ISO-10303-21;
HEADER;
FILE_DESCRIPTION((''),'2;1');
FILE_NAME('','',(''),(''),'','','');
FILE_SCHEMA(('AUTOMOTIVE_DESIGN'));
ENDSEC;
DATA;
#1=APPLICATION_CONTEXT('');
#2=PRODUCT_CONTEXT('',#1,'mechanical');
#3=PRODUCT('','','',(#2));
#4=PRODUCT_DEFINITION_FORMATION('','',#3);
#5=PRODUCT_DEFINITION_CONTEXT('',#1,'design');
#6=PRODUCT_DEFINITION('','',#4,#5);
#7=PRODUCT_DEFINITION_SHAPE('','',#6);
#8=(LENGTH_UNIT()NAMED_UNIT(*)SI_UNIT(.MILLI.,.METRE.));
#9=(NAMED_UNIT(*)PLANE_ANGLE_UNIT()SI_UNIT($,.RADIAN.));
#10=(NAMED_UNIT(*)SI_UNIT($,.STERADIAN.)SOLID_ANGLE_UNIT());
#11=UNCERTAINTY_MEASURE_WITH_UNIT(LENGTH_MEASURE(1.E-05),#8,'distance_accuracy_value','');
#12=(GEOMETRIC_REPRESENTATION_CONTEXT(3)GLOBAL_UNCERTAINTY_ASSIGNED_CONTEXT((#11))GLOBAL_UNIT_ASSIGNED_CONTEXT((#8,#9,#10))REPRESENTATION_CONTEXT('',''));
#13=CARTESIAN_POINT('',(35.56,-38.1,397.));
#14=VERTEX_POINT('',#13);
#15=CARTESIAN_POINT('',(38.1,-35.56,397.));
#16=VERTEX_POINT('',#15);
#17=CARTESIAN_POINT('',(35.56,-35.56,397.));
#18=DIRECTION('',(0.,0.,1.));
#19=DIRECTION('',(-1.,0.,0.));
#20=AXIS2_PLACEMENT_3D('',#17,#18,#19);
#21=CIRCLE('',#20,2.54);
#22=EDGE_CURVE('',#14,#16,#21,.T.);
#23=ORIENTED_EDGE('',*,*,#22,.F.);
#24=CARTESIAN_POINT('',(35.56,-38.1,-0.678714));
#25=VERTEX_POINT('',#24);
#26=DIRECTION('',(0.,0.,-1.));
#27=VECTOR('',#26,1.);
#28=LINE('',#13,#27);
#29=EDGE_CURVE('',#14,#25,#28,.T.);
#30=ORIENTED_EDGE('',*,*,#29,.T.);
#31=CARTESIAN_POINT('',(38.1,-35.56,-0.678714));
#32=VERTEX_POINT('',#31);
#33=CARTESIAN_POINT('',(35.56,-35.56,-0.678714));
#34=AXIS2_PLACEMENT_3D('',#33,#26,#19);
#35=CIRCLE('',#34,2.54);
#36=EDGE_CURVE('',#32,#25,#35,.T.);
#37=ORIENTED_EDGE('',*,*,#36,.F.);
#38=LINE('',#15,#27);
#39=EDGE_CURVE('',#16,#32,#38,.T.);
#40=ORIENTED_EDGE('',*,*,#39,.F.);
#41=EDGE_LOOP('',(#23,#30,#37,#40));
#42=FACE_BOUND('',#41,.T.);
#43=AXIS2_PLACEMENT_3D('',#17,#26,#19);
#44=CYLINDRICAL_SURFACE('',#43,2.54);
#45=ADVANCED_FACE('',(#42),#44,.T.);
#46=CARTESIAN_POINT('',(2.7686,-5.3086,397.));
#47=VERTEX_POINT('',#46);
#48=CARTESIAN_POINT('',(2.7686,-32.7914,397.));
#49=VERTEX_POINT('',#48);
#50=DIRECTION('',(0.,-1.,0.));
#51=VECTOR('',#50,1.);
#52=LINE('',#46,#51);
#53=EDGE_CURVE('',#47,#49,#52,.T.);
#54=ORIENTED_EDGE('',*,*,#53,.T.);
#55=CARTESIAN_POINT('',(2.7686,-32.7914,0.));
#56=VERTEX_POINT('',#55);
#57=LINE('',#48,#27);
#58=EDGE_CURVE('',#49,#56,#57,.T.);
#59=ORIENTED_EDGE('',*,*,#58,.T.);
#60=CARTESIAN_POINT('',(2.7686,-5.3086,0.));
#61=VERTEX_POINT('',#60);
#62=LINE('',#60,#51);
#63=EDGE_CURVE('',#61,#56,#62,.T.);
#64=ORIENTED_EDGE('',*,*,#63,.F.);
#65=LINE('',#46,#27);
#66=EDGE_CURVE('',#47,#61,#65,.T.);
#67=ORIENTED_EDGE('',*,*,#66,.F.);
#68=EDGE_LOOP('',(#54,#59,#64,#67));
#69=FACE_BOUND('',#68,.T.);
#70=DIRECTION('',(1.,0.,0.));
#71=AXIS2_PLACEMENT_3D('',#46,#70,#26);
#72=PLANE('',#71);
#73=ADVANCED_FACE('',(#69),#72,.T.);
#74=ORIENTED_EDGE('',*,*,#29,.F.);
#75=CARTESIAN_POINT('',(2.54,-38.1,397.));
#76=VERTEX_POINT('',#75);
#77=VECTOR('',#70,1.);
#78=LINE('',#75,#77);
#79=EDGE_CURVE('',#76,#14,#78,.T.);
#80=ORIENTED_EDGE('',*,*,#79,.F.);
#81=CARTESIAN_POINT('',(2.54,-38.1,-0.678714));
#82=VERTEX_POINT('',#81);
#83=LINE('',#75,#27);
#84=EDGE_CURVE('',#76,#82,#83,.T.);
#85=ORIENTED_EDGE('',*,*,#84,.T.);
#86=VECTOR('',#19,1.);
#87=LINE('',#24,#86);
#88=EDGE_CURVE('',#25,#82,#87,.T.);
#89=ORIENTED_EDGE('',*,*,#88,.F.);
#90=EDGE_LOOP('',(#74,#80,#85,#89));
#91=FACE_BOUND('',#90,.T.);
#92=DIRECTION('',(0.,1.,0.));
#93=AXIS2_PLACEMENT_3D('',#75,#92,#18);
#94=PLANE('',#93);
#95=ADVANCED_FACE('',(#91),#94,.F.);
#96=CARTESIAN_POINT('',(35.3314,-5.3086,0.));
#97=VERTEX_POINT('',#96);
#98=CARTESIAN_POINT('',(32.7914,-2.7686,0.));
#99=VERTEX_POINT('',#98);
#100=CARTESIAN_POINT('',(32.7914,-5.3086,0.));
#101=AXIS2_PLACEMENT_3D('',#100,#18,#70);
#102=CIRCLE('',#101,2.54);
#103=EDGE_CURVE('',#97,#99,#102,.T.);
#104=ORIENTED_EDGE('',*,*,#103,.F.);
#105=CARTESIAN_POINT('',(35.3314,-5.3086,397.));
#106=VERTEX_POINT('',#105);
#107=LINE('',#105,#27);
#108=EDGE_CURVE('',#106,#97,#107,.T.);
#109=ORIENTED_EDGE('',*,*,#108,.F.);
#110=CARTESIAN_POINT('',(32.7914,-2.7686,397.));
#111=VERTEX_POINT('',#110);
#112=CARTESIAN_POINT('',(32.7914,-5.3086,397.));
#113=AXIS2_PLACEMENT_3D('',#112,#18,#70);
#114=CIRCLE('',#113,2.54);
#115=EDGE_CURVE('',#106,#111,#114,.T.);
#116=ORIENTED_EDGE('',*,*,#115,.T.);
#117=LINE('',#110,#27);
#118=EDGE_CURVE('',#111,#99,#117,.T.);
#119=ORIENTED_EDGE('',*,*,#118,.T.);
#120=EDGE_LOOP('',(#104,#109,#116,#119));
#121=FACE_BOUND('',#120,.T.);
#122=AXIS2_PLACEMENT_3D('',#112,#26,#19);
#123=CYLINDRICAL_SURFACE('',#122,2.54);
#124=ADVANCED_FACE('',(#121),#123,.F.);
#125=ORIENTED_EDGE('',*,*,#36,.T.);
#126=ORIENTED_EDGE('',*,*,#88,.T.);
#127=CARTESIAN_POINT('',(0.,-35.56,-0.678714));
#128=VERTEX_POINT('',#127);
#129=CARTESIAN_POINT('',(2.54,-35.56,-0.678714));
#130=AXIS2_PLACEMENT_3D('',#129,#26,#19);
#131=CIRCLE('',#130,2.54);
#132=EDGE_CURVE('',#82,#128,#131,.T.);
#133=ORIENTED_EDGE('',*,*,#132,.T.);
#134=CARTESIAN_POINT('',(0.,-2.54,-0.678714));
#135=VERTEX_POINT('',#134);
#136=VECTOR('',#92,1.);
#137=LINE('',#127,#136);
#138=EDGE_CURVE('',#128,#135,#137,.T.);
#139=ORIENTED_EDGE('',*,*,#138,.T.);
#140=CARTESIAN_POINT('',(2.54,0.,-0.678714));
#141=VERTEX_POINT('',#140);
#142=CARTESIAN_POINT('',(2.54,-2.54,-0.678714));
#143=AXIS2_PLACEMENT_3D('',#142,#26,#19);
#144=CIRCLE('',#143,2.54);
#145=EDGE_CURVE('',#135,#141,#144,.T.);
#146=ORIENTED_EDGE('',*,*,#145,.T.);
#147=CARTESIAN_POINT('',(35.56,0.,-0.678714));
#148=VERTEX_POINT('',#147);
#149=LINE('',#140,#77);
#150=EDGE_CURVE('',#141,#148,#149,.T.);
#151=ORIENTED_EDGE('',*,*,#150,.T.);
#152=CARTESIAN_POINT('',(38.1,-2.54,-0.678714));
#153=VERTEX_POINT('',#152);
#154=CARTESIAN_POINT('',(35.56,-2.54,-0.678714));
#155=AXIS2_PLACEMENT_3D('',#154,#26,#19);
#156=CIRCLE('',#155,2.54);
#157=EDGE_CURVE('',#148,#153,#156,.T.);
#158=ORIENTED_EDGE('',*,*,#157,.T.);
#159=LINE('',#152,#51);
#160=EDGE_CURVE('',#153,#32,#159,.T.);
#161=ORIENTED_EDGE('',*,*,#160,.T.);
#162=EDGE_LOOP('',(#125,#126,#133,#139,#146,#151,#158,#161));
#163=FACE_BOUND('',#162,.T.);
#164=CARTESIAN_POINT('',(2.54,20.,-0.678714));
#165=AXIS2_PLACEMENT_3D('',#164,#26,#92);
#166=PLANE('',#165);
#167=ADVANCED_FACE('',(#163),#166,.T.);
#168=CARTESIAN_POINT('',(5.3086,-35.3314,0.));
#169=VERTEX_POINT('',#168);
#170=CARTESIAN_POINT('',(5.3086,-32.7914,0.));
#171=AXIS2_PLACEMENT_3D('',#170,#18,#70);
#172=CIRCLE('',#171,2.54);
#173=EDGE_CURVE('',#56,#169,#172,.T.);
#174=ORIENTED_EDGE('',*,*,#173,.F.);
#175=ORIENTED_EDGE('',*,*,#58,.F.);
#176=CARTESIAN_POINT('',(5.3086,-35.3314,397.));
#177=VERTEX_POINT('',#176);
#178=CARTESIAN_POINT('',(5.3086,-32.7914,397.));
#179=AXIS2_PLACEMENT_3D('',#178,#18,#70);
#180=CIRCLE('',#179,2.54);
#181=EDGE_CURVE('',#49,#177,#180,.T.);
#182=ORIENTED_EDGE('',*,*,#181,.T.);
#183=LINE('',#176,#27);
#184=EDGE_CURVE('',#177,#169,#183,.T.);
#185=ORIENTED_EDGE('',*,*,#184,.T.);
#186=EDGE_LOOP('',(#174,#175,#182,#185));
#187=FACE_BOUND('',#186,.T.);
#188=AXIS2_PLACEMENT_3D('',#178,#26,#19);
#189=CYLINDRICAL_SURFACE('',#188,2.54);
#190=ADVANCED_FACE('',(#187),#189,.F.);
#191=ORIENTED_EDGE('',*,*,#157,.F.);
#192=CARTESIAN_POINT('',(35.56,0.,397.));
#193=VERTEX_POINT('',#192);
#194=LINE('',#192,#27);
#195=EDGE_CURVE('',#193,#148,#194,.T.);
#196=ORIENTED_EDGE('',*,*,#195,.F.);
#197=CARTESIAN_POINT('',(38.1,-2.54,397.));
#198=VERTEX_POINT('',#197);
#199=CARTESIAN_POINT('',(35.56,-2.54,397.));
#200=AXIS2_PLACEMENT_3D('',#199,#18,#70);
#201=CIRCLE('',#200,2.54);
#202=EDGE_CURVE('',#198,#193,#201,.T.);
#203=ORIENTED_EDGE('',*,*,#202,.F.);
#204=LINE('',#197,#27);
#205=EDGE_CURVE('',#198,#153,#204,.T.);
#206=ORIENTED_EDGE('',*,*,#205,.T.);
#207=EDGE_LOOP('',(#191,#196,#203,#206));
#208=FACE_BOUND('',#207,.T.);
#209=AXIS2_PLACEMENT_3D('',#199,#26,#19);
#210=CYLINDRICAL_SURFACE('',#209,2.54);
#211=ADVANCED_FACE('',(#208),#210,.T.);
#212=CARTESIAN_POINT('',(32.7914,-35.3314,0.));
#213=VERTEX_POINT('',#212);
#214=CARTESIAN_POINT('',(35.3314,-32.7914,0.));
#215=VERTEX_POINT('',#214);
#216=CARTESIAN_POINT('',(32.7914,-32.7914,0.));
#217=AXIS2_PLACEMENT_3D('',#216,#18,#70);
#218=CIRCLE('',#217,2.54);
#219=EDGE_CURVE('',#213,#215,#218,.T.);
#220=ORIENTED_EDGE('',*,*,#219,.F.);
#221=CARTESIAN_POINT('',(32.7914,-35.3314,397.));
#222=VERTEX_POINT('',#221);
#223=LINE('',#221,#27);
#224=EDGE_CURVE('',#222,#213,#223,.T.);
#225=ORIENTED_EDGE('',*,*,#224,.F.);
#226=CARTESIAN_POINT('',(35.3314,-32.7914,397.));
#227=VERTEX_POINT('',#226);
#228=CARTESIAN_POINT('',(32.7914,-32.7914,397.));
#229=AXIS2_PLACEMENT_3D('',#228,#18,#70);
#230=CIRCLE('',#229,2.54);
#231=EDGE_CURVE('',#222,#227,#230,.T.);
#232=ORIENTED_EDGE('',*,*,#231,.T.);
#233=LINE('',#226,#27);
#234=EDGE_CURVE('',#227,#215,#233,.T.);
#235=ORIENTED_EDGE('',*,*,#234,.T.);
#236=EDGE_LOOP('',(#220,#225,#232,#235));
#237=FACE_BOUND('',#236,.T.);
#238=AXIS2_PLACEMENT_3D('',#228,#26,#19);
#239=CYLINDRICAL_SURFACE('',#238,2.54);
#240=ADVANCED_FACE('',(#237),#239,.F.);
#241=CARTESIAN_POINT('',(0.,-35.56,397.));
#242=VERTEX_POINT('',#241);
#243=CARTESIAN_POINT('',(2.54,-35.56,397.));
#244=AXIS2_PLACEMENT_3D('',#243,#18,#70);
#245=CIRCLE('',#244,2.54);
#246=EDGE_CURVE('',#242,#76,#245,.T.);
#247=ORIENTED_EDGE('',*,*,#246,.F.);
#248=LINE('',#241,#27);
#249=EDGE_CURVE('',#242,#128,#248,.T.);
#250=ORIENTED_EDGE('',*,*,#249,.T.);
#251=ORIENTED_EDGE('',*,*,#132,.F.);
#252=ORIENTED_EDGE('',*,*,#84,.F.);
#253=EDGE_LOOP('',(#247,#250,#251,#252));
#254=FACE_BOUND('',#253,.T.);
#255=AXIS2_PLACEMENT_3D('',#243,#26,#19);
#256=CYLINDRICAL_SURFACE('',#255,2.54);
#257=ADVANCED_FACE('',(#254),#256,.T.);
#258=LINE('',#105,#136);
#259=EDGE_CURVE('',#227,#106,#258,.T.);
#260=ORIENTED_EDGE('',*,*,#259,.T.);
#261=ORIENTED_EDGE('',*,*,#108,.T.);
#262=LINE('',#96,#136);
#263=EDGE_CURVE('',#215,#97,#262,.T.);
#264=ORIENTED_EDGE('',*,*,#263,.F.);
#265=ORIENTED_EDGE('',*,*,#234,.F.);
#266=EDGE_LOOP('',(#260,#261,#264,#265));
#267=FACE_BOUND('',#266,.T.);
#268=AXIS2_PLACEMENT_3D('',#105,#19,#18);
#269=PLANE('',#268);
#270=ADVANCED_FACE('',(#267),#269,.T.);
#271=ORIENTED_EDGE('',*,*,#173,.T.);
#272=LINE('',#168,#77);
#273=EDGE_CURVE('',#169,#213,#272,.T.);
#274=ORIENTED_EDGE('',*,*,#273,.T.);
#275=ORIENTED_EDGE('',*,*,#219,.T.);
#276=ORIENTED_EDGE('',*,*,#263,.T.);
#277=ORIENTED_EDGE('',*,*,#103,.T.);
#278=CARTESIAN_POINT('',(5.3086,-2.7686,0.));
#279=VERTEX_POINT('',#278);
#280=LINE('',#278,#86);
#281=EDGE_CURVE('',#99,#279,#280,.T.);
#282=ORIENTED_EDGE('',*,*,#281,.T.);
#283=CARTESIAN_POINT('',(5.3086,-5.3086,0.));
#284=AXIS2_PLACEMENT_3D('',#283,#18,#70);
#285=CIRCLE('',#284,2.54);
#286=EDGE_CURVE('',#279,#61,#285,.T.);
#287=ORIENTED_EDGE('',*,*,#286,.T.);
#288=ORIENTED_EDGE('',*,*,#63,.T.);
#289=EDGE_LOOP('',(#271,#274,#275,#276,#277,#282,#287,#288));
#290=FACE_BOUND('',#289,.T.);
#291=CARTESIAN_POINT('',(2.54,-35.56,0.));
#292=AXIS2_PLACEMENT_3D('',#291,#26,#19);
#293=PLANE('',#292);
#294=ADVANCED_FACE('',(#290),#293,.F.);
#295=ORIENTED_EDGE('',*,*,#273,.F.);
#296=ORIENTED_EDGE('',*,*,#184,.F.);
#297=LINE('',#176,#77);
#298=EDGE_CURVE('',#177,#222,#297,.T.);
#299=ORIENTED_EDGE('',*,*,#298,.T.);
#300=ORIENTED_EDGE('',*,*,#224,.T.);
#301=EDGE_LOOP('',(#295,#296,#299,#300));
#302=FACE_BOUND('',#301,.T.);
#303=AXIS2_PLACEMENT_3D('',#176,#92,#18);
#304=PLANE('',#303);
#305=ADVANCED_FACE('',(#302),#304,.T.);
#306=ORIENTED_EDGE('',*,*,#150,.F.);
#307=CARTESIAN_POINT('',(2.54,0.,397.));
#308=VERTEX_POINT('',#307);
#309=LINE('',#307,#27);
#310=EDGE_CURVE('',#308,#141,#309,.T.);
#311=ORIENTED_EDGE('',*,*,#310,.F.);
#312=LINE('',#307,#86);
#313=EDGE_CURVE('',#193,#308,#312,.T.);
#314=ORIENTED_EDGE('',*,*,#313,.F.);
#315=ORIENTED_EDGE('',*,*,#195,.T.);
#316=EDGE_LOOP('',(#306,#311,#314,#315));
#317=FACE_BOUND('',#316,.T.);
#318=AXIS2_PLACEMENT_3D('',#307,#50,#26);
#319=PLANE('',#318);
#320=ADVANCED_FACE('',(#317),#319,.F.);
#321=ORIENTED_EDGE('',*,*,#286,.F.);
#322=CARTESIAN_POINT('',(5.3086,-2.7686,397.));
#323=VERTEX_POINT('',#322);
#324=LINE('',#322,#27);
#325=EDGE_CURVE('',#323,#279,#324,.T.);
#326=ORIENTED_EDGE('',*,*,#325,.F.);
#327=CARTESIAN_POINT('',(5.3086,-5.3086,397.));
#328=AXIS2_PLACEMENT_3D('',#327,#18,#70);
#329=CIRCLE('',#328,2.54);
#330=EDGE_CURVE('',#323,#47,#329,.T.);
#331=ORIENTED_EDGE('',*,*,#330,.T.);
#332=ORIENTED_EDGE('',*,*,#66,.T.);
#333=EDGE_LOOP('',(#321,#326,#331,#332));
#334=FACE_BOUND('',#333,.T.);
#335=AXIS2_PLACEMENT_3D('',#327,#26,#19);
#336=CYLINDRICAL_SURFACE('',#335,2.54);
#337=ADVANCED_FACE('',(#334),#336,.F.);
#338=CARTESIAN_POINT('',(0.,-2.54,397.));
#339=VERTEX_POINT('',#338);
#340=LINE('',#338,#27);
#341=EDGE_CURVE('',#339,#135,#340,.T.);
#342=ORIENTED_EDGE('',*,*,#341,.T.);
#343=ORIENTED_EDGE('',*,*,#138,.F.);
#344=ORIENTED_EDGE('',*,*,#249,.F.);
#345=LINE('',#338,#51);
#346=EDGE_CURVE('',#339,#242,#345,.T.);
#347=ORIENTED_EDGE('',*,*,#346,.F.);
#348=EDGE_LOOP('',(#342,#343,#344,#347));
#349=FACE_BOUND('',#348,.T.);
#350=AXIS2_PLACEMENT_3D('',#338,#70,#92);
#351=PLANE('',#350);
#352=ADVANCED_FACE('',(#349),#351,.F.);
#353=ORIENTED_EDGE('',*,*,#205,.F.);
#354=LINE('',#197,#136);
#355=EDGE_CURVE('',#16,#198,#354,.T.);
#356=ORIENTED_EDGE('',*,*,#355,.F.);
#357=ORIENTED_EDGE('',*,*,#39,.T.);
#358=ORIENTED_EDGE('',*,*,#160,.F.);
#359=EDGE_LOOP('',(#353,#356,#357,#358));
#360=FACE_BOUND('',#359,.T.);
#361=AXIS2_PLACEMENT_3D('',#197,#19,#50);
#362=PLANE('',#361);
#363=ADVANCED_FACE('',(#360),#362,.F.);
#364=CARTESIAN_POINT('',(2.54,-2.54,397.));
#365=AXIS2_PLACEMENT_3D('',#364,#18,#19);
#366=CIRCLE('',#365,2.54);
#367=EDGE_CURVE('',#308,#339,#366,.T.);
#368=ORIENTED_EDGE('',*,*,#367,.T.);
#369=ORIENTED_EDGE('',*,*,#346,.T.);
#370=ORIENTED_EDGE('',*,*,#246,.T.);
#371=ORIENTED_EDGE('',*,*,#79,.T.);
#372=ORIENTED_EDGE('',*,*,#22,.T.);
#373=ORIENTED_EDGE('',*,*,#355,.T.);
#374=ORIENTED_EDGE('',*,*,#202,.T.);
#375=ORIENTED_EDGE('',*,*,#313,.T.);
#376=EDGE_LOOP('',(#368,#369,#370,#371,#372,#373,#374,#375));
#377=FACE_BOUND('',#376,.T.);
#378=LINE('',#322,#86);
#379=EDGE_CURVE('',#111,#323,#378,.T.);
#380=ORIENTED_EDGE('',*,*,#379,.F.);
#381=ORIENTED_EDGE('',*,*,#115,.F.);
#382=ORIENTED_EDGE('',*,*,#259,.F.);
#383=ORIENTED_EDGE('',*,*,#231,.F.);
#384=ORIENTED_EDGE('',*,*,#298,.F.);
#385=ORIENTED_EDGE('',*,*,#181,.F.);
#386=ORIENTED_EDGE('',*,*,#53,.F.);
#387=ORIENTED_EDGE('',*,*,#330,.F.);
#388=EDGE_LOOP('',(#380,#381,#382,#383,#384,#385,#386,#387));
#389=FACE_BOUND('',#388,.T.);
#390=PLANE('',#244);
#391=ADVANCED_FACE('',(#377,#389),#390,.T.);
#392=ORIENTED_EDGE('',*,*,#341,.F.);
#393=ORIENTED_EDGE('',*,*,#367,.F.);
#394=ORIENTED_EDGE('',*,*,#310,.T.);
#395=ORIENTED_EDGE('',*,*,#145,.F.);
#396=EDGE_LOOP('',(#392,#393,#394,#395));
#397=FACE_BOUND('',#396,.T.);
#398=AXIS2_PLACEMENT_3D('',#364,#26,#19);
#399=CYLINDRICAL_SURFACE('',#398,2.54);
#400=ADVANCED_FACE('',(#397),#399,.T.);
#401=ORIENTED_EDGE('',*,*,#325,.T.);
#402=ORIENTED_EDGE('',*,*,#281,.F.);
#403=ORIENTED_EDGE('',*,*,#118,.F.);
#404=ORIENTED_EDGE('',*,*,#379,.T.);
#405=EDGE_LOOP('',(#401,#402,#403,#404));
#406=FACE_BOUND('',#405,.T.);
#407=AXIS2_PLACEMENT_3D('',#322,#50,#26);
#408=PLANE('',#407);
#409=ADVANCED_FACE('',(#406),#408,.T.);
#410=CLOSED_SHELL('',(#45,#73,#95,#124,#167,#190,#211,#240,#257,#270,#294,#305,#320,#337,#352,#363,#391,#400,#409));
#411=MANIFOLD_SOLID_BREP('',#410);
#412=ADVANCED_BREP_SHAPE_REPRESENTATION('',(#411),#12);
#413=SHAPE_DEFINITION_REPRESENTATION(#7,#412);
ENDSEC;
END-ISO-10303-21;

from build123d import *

# Parameters (mm, degrees)
BOSS_EXTRUDE1_DEPTH = 397
BOSS_EXTRUDE2_START = 0.678713738
BOSS_EXTRUDE2_DEPTH = 0.678713738


with BuildPart() as part:
    # Sketch1 → Boss-Extrude1 (new body)
    with BuildSketch(Plane.XY):
        with BuildLine():
            Line((2.54, 0), (35.56, 0))
            ThreePointArc((35.56, 0), (37.356051224, -0.743948776), (38.1, -2.54))
            Line((38.1, -2.54), (38.1, -35.56))
            ThreePointArc((38.1, -35.56), (37.356051224, -37.356051224), (35.56, -38.1))
            Line((35.56, -38.1), (2.54, -38.1))
            ThreePointArc((2.54, -38.1), (0.743948776, -37.356051224), (0, -35.56))
            Line((0, -35.56), (0, -2.54))
            ThreePointArc((0, -2.54), (0.743948776, -0.743948776), (2.54, 0))
        make_face()
        with BuildLine():
            Line((5.3086, -2.7686), (32.7914, -2.7686))
            ThreePointArc((32.7914, -2.7686), (34.587451224, -3.512548776), (35.3314, -5.3086))
            Line((35.3314, -5.3086), (35.3314, -32.7914))
            ThreePointArc((35.3314, -32.7914), (34.587451224, -34.587451224), (32.7914, -35.3314))
            Line((32.7914, -35.3314), (5.3086, -35.3314))
            ThreePointArc((5.3086, -35.3314), (3.512548776, -34.587451224), (2.7686, -32.7914))
            Line((2.7686, -32.7914), (2.7686, -5.3086))
            ThreePointArc((2.7686, -5.3086), (3.512548776, -3.512548776), (5.3086, -2.7686))
        make_face(mode=Mode.SUBTRACT)
    extrude(amount=BOSS_EXTRUDE1_DEPTH)

    # Sketch2 → Boss-Extrude2 (add)
    with BuildSketch(Plane(origin=(0, 0, 0), x_dir=(-1, 0, 0), z_dir=(0, 0, -1)).offset(BOSS_EXTRUDE2_START)):
        with BuildLine():
            Line((0, -35.56), (0, -2.54))
            ThreePointArc((0, -2.54), (-0.743948776, -0.743948776), (-2.54, 0))
            Line((-2.54, 0), (-35.56, 0))
            ThreePointArc((-35.56, 0), (-37.356051224, -0.743948776), (-38.1, -2.54))
            Line((-38.1, -2.54), (-38.1, -35.56))
            ThreePointArc((-38.1, -35.56), (-37.356051224, -37.356051224), (-35.56, -38.1))
            Line((-35.56, -38.1), (-2.54, -38.1))
            ThreePointArc((-2.54, -38.1), (-0.743948776, -37.356051224), (0, -35.56))
        make_face()
    extrude(amount=-BOSS_EXTRUDE2_DEPTH)


solid = part.part
